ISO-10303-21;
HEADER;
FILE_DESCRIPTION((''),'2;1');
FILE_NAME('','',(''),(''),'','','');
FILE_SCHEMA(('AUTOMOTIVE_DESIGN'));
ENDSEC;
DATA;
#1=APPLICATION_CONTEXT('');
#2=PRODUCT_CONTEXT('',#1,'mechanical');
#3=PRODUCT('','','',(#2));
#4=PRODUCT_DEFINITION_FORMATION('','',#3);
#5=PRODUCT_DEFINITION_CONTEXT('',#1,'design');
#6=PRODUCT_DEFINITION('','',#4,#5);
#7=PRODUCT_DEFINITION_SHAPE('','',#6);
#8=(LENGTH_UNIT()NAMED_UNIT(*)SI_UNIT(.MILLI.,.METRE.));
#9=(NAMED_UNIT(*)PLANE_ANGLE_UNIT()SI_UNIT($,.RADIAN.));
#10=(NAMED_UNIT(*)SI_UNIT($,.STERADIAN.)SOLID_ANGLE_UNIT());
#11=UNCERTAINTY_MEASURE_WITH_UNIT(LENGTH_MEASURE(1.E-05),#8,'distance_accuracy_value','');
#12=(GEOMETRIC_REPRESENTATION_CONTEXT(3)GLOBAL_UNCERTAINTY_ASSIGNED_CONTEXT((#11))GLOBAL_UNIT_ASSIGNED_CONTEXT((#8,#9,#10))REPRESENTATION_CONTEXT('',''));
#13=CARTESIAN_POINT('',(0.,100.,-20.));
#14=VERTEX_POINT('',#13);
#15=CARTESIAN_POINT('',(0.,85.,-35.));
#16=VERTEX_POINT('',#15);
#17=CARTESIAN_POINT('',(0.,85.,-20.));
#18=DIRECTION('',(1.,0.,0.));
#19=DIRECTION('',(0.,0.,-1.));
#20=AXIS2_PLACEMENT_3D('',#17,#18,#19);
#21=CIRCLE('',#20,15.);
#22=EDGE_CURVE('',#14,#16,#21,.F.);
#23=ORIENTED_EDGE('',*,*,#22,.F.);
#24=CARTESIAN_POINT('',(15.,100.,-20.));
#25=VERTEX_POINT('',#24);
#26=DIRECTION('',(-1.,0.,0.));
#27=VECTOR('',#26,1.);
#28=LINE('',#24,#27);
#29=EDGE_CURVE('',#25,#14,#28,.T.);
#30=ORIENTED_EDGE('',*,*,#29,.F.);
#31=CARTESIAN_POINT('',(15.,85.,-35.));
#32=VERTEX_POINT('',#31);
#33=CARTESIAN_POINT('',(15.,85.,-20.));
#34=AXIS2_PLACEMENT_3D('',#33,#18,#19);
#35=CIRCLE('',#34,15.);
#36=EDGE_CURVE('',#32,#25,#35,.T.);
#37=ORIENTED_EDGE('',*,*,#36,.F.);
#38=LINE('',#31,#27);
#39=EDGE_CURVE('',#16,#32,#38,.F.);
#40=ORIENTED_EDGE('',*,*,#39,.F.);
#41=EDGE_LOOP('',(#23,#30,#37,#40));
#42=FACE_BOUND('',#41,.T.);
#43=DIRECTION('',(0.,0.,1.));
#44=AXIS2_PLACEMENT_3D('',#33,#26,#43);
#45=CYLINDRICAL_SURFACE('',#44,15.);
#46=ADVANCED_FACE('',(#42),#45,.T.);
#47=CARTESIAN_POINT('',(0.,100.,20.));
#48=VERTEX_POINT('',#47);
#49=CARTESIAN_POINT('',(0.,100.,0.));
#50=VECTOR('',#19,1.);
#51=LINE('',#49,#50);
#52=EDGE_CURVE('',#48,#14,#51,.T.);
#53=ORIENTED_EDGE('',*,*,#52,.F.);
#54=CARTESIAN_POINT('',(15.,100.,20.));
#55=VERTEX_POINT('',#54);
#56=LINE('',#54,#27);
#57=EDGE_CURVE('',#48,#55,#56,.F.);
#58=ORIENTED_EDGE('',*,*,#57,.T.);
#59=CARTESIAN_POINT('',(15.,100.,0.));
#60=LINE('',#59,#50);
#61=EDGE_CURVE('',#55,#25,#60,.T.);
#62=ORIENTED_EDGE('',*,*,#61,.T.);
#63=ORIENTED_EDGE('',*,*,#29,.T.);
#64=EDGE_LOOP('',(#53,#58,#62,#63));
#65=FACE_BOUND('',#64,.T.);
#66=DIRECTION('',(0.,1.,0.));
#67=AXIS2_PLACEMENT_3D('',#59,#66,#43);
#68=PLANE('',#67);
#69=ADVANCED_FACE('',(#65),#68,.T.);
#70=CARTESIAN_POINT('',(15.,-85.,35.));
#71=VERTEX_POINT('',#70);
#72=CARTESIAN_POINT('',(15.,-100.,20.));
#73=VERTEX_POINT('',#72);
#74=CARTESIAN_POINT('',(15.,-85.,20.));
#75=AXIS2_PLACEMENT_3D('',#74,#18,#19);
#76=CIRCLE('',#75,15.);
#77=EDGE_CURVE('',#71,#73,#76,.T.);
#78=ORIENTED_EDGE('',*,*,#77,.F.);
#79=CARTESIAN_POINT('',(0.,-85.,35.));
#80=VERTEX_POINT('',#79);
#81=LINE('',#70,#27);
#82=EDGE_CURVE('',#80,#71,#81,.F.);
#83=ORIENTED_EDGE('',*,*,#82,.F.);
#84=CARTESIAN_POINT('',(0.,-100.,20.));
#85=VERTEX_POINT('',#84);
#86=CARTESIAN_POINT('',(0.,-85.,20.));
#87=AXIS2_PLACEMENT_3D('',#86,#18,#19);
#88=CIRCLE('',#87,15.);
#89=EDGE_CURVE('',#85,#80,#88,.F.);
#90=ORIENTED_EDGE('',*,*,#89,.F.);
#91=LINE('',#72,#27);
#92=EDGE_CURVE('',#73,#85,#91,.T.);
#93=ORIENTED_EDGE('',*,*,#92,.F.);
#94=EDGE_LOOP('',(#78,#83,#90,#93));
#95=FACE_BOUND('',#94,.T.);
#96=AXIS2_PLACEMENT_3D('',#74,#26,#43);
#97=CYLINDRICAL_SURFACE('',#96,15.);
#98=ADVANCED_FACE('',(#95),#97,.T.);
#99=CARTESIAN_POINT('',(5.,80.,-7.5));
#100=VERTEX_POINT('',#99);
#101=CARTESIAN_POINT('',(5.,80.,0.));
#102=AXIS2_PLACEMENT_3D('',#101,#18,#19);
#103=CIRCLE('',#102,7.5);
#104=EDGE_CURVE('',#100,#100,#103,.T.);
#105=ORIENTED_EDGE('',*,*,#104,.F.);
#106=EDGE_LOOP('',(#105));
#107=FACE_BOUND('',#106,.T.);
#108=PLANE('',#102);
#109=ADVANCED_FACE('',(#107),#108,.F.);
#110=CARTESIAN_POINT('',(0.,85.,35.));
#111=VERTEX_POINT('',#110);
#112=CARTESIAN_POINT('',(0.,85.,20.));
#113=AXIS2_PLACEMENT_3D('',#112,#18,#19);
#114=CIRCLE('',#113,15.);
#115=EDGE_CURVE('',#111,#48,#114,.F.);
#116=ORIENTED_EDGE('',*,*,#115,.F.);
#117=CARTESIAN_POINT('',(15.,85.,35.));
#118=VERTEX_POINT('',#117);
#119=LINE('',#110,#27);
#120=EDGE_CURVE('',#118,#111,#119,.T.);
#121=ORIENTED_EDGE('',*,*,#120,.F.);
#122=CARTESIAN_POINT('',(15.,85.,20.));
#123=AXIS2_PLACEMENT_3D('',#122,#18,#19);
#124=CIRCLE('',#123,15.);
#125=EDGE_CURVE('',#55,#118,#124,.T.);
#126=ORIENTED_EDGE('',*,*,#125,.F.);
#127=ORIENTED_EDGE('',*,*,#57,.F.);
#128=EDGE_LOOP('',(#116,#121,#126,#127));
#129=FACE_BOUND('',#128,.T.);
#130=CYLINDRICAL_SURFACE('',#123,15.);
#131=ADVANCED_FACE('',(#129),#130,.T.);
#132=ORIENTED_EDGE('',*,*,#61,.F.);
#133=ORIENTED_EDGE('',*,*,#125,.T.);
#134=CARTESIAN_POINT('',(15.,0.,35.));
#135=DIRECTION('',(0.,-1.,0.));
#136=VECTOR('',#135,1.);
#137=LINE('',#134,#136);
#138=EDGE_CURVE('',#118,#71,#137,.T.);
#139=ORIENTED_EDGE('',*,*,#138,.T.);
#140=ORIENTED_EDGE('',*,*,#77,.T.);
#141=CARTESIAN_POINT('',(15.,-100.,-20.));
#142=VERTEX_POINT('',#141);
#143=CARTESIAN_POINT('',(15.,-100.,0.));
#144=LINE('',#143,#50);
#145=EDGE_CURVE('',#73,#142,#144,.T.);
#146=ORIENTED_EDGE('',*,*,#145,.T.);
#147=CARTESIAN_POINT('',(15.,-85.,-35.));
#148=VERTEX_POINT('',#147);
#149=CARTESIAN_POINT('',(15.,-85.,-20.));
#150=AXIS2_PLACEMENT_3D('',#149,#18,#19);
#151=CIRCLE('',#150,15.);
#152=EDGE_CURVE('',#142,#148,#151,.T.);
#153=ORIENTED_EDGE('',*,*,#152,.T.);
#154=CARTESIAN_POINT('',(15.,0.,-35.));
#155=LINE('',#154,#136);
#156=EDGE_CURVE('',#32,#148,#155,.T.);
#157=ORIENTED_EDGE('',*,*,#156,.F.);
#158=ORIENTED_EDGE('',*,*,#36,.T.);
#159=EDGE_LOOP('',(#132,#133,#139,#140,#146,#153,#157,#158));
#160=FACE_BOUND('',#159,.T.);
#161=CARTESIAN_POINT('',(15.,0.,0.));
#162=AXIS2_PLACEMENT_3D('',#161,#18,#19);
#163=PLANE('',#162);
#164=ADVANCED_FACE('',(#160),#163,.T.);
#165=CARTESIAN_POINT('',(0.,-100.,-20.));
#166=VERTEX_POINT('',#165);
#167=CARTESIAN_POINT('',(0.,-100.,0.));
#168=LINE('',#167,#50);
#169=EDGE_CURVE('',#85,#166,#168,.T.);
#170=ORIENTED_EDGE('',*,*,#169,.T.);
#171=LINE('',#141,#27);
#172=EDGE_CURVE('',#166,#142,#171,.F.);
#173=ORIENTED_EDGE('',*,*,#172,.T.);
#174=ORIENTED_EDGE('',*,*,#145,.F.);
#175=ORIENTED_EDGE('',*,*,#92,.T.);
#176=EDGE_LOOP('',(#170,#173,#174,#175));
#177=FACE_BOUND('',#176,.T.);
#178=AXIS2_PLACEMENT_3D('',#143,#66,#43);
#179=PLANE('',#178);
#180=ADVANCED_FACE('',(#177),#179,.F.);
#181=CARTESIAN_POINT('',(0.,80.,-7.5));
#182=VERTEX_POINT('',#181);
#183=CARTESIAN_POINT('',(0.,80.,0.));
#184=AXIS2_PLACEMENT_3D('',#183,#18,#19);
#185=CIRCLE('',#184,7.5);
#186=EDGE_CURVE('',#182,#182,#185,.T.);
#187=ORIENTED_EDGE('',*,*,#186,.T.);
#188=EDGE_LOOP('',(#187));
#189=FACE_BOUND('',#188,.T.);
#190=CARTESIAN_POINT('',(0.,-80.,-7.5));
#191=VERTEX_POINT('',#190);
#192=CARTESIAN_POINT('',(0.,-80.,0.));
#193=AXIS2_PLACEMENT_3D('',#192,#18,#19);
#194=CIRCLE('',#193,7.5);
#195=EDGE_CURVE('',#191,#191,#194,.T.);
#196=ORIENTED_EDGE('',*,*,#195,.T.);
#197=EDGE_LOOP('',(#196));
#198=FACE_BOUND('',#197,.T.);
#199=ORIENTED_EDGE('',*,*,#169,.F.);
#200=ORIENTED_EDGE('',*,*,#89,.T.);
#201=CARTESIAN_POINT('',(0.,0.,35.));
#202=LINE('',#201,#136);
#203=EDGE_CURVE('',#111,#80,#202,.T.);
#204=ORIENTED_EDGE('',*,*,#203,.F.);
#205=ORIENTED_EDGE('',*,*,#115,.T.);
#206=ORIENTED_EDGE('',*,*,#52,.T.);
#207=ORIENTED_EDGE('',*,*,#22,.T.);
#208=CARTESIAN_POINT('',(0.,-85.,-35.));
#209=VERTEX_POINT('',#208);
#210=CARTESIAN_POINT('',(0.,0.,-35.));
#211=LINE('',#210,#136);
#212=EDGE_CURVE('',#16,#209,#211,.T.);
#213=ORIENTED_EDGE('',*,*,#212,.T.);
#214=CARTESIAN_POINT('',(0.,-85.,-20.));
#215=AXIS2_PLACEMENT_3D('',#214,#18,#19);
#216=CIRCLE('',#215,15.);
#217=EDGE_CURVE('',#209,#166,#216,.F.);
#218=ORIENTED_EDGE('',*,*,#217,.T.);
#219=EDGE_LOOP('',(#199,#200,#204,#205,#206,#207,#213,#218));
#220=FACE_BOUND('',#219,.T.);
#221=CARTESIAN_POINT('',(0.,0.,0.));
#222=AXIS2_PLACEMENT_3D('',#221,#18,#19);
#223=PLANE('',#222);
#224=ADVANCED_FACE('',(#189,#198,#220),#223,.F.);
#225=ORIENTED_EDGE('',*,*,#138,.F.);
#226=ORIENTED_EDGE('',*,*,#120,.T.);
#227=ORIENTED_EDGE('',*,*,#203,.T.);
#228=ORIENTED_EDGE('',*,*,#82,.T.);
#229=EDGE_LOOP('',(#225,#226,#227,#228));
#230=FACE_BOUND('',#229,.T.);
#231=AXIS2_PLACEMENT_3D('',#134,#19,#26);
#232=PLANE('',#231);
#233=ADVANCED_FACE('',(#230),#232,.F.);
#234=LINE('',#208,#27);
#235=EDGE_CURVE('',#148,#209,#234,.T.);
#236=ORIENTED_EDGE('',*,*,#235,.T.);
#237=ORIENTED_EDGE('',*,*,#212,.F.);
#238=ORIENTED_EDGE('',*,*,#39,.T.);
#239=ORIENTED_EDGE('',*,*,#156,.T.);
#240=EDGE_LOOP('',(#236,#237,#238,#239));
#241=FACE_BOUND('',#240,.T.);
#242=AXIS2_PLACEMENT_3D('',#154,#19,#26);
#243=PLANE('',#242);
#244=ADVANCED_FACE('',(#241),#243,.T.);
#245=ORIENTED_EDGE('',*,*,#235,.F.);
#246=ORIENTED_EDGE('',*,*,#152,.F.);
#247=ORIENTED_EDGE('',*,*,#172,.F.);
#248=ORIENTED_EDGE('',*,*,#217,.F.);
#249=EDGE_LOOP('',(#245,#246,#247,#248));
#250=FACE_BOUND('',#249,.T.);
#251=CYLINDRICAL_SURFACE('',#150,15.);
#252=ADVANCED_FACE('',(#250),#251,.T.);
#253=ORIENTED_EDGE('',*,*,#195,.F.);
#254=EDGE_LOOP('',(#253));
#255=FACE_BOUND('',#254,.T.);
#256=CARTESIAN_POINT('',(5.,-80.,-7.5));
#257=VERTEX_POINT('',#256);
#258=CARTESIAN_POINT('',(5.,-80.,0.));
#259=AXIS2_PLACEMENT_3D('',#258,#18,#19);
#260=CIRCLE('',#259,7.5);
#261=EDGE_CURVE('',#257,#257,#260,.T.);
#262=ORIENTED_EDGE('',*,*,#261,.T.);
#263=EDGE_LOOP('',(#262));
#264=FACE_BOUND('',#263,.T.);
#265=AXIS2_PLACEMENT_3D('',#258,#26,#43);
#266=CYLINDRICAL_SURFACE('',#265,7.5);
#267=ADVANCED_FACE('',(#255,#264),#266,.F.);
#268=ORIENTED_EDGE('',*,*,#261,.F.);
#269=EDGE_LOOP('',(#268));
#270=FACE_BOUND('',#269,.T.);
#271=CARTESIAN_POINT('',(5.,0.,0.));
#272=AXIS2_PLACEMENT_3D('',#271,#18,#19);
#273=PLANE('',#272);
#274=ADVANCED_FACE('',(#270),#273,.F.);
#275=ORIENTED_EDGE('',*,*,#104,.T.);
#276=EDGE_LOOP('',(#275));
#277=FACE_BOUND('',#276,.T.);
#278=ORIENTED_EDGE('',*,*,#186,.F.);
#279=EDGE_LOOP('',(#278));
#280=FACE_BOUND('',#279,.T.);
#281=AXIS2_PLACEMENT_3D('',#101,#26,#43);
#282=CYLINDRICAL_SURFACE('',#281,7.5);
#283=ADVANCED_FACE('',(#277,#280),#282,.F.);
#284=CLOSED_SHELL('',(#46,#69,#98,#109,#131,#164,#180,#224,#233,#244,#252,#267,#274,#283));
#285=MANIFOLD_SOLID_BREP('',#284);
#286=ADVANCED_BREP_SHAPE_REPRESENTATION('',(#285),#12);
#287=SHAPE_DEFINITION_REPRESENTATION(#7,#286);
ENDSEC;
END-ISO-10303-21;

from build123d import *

# Parameters (mm, degrees)
SKETCH1_W           = 70
SKETCH1_H           = 200
BOSS_EXTRUDE1_DEPTH = 15
SKETCH1_3_R         = 7.5
CUT_EXTRUDE1_DEPTH  = 5
FILLET1_R           = 15


with BuildPart() as part:
    # Sketch1 → Boss-Extrude1 (new body)
    with BuildSketch(Plane(origin=(0, 0, 0), x_dir=(0, 0, -1), z_dir=(1, 0, 0))):
        Rectangle(SKETCH1_W, SKETCH1_H)
    extrude(amount=BOSS_EXTRUDE1_DEPTH)

    # Sketch1<3> → Cut-Extrude1 (cut)
    with BuildSketch(Plane(origin=(0, 0, 0), x_dir=(0, 0, -1), z_dir=(1, 0, 0))):
        with Locations((0, 80)):
            Circle(SKETCH1_3_R)
        with Locations((0, -80)):
            Circle(SKETCH1_3_R)
    extrude(amount=CUT_EXTRUDE1_DEPTH, mode=Mode.SUBTRACT)

    # Fillet1
    fillet1_edges = [part.edges().sort_by_distance(p)[0] for p in [
        (7.5, -100, -35),
        (7.5, -100, 35),
        (7.5, 100, 35),
        (7.5, 100, -35),
    ]]
    fillet(fillet1_edges, radius=FILLET1_R)


solid = part.part
